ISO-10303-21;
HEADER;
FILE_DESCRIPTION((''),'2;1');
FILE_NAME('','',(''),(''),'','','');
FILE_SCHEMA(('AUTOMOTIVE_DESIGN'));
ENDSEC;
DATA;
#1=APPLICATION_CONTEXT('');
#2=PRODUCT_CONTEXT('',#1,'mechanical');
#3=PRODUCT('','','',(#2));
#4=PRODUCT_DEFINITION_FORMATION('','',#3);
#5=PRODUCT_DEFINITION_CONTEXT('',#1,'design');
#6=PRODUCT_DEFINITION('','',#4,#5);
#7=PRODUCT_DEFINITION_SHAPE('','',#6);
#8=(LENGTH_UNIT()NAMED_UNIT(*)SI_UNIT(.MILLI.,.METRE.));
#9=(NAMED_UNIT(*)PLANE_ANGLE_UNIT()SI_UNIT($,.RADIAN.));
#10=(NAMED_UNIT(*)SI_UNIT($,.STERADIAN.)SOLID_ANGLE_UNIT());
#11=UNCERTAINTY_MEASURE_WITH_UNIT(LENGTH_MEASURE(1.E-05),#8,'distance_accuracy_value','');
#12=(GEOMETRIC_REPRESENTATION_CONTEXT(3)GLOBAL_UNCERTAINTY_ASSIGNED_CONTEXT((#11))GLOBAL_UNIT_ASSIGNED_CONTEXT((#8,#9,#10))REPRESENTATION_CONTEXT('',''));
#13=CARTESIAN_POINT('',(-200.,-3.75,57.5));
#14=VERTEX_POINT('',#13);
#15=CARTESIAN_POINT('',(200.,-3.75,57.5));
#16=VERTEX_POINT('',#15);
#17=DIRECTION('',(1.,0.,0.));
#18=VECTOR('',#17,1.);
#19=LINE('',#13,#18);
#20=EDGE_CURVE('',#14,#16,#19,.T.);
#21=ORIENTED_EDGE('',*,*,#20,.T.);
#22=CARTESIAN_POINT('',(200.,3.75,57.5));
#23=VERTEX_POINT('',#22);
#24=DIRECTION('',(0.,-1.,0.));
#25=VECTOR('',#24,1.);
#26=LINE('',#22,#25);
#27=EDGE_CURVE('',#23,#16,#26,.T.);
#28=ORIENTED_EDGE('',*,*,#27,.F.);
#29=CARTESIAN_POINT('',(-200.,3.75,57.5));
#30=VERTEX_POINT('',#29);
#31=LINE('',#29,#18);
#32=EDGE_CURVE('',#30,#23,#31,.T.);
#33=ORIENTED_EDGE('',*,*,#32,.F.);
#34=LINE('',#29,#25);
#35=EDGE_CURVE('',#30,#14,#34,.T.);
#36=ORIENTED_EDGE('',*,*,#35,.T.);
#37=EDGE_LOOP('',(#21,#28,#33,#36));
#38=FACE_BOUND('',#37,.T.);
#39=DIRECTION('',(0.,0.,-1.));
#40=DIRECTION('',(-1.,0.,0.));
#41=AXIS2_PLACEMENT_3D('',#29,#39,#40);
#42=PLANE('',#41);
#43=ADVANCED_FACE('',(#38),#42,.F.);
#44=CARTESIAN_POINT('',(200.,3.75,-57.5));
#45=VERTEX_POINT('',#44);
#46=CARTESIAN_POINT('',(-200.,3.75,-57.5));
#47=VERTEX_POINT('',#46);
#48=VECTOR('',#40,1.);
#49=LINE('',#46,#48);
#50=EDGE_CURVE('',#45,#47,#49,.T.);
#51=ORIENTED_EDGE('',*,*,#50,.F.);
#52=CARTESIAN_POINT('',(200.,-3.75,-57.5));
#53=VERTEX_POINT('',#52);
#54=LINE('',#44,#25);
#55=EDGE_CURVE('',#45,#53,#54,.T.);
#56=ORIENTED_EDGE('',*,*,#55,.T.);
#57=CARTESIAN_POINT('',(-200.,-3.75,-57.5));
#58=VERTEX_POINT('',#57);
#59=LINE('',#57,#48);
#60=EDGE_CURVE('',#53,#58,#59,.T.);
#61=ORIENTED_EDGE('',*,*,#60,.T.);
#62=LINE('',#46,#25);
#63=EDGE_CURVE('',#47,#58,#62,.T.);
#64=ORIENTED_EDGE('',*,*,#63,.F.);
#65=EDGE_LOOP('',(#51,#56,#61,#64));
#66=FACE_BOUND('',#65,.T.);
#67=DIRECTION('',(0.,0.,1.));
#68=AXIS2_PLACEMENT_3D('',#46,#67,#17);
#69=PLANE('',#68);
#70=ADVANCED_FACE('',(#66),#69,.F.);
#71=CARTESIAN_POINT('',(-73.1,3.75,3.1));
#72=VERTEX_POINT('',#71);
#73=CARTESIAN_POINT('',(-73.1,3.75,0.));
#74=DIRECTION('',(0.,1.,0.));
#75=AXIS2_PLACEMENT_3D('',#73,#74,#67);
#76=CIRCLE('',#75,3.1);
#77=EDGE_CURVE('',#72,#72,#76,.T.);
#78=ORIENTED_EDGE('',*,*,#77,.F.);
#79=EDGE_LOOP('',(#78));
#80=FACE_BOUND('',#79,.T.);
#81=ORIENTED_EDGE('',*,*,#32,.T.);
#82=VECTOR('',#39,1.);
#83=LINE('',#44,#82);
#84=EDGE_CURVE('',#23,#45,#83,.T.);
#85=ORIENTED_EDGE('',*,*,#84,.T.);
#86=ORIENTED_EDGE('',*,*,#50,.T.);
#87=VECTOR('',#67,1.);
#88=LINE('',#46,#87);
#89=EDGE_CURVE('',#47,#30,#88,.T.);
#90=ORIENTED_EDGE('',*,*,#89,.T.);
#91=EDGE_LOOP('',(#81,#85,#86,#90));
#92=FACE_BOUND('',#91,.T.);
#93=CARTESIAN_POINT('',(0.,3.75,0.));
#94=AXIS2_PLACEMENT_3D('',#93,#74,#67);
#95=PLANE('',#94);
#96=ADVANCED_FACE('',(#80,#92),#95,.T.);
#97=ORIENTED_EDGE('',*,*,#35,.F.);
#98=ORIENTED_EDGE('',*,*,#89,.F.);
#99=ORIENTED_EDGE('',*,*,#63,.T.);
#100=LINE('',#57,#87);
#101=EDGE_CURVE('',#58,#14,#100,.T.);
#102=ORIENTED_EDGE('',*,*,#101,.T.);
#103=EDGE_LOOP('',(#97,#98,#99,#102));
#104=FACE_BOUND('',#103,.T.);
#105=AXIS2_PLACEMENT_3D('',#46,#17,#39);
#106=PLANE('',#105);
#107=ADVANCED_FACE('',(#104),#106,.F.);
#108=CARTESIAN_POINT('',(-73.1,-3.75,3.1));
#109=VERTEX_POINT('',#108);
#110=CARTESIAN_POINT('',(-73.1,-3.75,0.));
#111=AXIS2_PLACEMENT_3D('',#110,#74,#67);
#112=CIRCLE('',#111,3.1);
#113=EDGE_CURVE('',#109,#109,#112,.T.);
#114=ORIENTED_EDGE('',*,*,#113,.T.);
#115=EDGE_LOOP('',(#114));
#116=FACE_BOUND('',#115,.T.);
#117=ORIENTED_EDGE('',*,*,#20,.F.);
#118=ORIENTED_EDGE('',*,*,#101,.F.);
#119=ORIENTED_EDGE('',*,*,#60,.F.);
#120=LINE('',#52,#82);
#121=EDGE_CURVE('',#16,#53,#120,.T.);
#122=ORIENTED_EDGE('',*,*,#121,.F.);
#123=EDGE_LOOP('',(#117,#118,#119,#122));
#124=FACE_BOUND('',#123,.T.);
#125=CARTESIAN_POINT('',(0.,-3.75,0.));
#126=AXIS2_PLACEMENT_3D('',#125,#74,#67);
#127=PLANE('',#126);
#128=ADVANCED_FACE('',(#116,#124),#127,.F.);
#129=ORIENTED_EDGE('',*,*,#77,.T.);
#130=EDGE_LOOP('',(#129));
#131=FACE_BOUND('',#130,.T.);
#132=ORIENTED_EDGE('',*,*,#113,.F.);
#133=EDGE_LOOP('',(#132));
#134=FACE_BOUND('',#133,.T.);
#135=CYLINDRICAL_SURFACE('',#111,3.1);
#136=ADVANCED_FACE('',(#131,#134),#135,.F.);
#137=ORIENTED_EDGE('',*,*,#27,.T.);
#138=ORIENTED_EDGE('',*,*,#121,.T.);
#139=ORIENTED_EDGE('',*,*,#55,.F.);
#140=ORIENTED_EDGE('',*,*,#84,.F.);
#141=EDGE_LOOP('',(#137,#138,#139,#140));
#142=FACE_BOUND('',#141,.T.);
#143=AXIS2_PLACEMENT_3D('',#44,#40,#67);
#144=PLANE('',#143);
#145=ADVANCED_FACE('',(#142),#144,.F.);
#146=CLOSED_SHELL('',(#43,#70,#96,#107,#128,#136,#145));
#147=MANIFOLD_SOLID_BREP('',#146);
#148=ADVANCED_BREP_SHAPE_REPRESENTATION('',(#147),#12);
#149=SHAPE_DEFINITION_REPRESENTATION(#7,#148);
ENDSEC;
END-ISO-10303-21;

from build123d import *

# Parameters (mm, degrees)
SKETCH1_W           = 40
SKETCH1_H           = 11.5
BOSS_EXTRUDE1_DEPTH = 0.375
SCALE1_SCALE        = 10
SKETCH2_R           = 3.1
CUT_EXTRUDE1_DEPTH  = 209.23664423


with BuildPart() as part:
    # Sketch1 → Boss-Extrude1 (new, symmetric)
    with BuildSketch(Plane(origin=(0, 0, 0), x_dir=(1, 0, 0), z_dir=(0, 1, 0))):
        Rectangle(SKETCH1_W, SKETCH1_H)
    extrude(amount=BOSS_EXTRUDE1_DEPTH, both=True)


with BuildPart() as part_1:
    # Scale1: scaled about (0, 0, 0)
    add(part.part.scale(SCALE1_SCALE))

    # Sketch2 → Cut-Extrude1 (cut, through all)
    with BuildSketch(Plane(origin=(0, 3.75, 0), x_dir=(1, 0, 0), z_dir=(0, 1, 0))):
        with Locations(Location((-73.1, 0, 0), (0, 0, 270))):
            Circle(SKETCH2_R)
    extrude(amount=-CUT_EXTRUDE1_DEPTH, mode=Mode.SUBTRACT)


solid = part_1.part
